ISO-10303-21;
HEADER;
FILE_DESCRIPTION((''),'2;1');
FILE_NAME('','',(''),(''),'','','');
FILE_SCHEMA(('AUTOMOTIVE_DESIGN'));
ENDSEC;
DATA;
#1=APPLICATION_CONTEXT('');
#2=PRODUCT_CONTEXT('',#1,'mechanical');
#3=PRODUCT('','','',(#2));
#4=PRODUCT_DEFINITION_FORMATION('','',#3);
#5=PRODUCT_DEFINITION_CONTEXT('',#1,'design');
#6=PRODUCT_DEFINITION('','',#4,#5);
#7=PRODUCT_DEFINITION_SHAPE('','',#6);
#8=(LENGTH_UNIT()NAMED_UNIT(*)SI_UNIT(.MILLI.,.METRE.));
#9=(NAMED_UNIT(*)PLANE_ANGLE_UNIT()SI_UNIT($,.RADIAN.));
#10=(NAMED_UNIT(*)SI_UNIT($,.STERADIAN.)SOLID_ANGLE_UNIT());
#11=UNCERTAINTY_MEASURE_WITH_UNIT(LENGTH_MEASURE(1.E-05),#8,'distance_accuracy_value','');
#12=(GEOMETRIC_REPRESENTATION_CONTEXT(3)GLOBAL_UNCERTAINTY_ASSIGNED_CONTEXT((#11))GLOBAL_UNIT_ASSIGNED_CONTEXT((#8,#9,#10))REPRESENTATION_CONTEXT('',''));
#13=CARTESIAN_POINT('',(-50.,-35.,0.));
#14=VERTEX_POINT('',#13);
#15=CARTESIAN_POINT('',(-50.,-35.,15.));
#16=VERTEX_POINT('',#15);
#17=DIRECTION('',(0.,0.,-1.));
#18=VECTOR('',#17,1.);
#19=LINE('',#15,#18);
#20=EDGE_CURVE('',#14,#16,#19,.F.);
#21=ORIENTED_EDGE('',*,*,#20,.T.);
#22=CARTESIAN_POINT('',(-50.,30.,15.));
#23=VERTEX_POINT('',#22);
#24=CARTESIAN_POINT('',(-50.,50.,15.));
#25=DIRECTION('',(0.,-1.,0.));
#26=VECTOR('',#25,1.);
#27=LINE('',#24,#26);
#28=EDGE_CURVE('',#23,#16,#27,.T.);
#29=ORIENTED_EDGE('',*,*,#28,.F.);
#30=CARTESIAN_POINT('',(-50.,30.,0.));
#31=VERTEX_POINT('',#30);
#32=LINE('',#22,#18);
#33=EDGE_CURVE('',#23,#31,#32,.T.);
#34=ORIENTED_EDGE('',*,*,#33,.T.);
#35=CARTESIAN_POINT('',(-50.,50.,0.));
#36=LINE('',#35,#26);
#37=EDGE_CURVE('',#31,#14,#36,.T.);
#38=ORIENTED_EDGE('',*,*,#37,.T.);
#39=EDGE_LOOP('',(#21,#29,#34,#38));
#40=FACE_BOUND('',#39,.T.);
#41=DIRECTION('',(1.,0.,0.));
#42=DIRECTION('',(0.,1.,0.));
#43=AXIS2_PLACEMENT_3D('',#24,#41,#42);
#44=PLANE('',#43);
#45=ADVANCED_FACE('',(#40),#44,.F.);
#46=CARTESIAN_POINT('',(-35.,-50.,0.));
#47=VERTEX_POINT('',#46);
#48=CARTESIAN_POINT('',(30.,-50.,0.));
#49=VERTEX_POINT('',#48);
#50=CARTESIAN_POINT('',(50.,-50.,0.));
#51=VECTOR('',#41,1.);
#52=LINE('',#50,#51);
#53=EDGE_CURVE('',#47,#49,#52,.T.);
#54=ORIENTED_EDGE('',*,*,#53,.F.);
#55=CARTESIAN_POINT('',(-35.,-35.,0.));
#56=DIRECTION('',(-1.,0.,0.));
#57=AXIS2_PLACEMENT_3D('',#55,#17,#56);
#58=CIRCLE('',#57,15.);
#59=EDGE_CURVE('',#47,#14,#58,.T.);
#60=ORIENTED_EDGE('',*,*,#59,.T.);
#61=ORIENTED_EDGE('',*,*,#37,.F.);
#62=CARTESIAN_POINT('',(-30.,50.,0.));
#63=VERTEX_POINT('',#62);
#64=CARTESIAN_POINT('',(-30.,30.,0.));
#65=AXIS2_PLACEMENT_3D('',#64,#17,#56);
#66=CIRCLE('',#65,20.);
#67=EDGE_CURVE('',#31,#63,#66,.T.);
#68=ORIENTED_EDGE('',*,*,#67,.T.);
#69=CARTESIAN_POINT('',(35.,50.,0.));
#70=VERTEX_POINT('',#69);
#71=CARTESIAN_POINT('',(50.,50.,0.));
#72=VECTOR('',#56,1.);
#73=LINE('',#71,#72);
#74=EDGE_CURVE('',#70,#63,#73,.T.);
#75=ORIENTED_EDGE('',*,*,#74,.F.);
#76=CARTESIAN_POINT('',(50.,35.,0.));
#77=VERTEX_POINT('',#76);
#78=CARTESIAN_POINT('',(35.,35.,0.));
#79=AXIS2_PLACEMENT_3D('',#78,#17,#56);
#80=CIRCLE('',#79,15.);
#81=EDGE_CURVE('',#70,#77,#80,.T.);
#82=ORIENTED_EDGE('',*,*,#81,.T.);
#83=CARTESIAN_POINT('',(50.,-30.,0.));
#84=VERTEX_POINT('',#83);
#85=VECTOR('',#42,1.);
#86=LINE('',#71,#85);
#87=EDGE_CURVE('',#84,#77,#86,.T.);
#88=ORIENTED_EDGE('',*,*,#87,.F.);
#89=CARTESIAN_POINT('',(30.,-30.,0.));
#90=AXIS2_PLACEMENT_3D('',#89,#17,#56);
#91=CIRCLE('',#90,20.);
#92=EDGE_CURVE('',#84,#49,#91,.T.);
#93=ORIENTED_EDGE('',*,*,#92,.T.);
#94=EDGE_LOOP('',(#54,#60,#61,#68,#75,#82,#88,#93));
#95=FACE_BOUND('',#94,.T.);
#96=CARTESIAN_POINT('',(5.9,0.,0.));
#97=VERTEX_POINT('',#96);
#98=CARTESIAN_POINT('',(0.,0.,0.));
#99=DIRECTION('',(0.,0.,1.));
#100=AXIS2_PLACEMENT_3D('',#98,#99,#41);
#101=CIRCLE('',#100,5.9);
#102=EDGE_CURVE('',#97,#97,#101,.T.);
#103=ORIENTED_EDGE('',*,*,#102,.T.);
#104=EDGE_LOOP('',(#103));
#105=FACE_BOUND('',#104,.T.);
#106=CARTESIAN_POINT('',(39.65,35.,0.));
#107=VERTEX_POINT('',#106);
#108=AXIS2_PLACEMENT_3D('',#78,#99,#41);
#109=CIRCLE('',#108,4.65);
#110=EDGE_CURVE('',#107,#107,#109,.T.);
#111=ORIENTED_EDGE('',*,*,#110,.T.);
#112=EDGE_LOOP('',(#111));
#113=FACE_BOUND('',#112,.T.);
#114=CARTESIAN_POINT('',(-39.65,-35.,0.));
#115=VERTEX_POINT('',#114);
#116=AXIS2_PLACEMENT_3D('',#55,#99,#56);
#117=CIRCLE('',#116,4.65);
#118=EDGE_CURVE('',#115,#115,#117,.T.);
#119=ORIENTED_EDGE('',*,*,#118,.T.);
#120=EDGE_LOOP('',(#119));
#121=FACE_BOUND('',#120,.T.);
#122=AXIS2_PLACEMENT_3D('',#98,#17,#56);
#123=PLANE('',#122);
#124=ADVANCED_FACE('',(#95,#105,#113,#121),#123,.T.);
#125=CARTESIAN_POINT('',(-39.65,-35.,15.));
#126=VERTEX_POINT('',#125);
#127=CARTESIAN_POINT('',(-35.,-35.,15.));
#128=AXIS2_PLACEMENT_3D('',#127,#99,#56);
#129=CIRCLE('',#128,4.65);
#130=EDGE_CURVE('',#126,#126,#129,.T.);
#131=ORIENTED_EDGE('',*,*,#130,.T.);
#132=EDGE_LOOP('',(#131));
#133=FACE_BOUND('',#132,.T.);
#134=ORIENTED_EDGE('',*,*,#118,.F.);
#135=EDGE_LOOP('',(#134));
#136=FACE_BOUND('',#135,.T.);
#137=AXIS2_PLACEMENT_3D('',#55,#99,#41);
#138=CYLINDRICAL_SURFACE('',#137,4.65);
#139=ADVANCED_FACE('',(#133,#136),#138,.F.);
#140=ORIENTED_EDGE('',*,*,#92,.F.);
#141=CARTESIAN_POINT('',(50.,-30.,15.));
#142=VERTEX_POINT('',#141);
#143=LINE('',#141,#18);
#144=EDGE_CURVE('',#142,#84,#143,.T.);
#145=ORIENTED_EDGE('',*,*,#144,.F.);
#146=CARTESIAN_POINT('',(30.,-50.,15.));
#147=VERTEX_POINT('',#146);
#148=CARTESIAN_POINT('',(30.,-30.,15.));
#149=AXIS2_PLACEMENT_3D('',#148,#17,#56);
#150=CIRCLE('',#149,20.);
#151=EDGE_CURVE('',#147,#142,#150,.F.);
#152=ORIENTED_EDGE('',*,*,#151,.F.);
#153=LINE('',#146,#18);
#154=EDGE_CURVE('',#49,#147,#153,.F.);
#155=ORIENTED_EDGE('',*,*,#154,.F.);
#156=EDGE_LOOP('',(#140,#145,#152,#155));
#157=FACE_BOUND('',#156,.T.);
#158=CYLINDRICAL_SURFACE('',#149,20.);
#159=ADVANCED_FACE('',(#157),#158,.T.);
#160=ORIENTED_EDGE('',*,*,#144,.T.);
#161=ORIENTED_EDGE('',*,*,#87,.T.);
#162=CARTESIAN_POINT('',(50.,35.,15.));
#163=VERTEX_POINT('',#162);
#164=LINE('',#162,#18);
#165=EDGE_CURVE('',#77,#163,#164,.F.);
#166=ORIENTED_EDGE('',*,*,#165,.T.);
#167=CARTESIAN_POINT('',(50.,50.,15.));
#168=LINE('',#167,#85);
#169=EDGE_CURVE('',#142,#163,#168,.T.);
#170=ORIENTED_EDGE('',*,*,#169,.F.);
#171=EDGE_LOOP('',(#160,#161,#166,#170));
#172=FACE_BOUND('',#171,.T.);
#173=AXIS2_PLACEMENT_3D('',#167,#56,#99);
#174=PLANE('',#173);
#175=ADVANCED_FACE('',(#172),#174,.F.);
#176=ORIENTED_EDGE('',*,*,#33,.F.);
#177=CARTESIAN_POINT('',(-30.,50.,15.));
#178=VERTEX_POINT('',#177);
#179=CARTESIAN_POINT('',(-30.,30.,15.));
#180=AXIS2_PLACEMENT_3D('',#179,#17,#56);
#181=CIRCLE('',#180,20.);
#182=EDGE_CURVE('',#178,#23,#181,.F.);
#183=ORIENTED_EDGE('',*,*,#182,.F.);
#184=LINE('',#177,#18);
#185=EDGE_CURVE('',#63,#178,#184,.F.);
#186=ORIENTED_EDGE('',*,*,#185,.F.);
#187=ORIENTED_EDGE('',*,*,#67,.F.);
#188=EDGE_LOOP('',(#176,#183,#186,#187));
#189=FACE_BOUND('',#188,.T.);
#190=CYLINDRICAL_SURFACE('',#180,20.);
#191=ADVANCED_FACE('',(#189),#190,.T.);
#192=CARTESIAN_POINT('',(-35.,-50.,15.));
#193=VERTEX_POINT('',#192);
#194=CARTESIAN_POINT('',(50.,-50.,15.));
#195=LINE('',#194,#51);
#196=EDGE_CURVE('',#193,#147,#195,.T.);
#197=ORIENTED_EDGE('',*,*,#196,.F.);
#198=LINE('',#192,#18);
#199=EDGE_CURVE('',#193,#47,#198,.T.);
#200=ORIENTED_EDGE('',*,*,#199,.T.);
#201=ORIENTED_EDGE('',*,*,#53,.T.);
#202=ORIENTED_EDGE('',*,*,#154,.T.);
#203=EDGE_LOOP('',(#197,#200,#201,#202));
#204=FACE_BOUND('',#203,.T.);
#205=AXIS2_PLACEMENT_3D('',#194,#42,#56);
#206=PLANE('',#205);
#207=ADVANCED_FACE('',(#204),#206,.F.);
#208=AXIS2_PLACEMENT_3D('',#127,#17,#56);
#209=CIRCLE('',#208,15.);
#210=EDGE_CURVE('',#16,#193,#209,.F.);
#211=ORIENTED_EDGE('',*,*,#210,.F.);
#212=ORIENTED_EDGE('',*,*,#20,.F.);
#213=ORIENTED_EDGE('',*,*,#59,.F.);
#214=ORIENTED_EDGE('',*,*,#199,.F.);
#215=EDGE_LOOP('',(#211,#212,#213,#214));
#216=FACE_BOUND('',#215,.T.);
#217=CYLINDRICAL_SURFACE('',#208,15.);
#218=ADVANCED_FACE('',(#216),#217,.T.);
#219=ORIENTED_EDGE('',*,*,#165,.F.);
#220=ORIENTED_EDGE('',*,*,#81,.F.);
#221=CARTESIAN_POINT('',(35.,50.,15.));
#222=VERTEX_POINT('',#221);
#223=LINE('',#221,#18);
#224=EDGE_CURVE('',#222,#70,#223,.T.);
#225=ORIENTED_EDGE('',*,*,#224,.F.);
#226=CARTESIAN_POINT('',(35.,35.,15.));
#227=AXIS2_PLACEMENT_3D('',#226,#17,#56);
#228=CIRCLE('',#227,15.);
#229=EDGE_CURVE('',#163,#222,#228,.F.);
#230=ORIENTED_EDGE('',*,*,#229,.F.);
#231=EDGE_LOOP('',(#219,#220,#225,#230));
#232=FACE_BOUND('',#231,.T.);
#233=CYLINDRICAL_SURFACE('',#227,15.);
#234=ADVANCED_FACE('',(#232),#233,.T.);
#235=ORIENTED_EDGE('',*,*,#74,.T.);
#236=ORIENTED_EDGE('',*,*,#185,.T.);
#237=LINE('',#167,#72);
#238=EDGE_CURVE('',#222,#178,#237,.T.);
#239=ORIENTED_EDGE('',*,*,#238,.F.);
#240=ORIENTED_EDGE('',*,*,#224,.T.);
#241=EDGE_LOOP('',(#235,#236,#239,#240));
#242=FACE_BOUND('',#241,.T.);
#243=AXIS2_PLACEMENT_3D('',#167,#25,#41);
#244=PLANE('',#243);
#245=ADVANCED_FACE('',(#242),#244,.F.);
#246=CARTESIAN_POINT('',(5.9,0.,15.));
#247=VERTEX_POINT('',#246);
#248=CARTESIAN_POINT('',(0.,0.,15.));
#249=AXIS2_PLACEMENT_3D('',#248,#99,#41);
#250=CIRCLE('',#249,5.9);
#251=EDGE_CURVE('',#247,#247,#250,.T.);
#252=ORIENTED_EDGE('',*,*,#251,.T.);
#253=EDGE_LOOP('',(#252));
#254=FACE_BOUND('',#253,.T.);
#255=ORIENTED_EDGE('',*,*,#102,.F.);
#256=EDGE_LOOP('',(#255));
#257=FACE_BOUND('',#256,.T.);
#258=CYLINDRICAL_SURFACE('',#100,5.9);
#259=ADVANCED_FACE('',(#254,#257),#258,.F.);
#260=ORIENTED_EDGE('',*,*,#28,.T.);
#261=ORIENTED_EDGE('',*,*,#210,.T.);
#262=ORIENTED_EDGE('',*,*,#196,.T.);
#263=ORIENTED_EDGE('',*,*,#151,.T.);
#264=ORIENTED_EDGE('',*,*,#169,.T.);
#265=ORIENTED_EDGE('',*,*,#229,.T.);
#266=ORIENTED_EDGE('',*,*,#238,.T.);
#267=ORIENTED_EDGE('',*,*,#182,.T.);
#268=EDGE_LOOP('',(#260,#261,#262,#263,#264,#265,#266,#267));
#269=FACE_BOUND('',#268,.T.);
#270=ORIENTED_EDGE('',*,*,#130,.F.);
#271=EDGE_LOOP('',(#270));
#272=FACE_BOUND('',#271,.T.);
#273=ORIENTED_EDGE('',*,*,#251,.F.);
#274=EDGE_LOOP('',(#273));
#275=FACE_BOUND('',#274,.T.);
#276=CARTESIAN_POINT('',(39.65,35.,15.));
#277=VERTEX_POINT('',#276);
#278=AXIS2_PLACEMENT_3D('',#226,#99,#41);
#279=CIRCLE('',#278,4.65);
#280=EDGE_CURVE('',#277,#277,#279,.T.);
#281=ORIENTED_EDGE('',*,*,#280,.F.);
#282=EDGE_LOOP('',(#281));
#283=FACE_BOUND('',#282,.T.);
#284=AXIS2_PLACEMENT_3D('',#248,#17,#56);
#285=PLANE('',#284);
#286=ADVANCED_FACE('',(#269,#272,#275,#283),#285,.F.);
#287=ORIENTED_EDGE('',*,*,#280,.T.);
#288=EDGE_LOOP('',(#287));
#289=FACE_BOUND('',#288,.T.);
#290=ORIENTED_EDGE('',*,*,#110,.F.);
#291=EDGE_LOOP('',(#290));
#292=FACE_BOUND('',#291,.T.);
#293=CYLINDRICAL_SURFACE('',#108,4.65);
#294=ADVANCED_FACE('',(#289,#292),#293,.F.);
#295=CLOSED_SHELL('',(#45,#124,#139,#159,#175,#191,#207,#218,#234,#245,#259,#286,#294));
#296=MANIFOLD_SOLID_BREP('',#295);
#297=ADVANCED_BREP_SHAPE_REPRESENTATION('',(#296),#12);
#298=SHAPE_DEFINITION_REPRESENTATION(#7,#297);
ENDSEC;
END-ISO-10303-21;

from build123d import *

# Parameters (mm, degrees)
SKETCH1_W           = 100
SKETCH1_H           = 100
BOSS_EXTRUDE1_DEPTH = 15
SKETCH2_R           = 4.65
CUT_EXTRUDE1_DEPTH  = 73.284161474
SKETCH10_R          = 5.9
CUT_EXTRUDE5_DEPTH  = 73.284161474
FILLET1_R           = 20
FILLET2_R           = 15


with BuildPart() as part:
    # Sketch1 → Boss-Extrude1 (new body)
    with BuildSketch(Plane.XY):
        Rectangle(SKETCH1_W, SKETCH1_H)
    extrude(amount=BOSS_EXTRUDE1_DEPTH)

    # Sketch2 → Cut-Extrude1 (cut, through all)
    with BuildSketch(Plane.XY.offset(15)):
        with Locations((35, 35)):
            Circle(SKETCH2_R)
        with Locations(Location((-35, -35, 0), (0, 0, 180))):
            Circle(SKETCH2_R)
    extrude(amount=-CUT_EXTRUDE1_DEPTH, mode=Mode.SUBTRACT)

    # Sketch10 → Cut-Extrude5 (cut, through all)
    with BuildSketch(Plane.XY.offset(15)):
        Circle(SKETCH10_R)
    extrude(amount=-CUT_EXTRUDE5_DEPTH, mode=Mode.SUBTRACT)

    # Fillet1
    fillet1_edges = [part.edges().sort_by_distance(p)[0] for p in [
        (-50, 50, 7.5),
        (50, -50, 7.5),
    ]]
    fillet(fillet1_edges, radius=FILLET1_R)

    # Fillet2
    fillet2_edges = [part.edges().sort_by_distance(p)[0] for p in [
        (50, 50, 7.5),
        (-50, -50, 7.5),
    ]]
    fillet(fillet2_edges, radius=FILLET2_R)


solid = part.part
